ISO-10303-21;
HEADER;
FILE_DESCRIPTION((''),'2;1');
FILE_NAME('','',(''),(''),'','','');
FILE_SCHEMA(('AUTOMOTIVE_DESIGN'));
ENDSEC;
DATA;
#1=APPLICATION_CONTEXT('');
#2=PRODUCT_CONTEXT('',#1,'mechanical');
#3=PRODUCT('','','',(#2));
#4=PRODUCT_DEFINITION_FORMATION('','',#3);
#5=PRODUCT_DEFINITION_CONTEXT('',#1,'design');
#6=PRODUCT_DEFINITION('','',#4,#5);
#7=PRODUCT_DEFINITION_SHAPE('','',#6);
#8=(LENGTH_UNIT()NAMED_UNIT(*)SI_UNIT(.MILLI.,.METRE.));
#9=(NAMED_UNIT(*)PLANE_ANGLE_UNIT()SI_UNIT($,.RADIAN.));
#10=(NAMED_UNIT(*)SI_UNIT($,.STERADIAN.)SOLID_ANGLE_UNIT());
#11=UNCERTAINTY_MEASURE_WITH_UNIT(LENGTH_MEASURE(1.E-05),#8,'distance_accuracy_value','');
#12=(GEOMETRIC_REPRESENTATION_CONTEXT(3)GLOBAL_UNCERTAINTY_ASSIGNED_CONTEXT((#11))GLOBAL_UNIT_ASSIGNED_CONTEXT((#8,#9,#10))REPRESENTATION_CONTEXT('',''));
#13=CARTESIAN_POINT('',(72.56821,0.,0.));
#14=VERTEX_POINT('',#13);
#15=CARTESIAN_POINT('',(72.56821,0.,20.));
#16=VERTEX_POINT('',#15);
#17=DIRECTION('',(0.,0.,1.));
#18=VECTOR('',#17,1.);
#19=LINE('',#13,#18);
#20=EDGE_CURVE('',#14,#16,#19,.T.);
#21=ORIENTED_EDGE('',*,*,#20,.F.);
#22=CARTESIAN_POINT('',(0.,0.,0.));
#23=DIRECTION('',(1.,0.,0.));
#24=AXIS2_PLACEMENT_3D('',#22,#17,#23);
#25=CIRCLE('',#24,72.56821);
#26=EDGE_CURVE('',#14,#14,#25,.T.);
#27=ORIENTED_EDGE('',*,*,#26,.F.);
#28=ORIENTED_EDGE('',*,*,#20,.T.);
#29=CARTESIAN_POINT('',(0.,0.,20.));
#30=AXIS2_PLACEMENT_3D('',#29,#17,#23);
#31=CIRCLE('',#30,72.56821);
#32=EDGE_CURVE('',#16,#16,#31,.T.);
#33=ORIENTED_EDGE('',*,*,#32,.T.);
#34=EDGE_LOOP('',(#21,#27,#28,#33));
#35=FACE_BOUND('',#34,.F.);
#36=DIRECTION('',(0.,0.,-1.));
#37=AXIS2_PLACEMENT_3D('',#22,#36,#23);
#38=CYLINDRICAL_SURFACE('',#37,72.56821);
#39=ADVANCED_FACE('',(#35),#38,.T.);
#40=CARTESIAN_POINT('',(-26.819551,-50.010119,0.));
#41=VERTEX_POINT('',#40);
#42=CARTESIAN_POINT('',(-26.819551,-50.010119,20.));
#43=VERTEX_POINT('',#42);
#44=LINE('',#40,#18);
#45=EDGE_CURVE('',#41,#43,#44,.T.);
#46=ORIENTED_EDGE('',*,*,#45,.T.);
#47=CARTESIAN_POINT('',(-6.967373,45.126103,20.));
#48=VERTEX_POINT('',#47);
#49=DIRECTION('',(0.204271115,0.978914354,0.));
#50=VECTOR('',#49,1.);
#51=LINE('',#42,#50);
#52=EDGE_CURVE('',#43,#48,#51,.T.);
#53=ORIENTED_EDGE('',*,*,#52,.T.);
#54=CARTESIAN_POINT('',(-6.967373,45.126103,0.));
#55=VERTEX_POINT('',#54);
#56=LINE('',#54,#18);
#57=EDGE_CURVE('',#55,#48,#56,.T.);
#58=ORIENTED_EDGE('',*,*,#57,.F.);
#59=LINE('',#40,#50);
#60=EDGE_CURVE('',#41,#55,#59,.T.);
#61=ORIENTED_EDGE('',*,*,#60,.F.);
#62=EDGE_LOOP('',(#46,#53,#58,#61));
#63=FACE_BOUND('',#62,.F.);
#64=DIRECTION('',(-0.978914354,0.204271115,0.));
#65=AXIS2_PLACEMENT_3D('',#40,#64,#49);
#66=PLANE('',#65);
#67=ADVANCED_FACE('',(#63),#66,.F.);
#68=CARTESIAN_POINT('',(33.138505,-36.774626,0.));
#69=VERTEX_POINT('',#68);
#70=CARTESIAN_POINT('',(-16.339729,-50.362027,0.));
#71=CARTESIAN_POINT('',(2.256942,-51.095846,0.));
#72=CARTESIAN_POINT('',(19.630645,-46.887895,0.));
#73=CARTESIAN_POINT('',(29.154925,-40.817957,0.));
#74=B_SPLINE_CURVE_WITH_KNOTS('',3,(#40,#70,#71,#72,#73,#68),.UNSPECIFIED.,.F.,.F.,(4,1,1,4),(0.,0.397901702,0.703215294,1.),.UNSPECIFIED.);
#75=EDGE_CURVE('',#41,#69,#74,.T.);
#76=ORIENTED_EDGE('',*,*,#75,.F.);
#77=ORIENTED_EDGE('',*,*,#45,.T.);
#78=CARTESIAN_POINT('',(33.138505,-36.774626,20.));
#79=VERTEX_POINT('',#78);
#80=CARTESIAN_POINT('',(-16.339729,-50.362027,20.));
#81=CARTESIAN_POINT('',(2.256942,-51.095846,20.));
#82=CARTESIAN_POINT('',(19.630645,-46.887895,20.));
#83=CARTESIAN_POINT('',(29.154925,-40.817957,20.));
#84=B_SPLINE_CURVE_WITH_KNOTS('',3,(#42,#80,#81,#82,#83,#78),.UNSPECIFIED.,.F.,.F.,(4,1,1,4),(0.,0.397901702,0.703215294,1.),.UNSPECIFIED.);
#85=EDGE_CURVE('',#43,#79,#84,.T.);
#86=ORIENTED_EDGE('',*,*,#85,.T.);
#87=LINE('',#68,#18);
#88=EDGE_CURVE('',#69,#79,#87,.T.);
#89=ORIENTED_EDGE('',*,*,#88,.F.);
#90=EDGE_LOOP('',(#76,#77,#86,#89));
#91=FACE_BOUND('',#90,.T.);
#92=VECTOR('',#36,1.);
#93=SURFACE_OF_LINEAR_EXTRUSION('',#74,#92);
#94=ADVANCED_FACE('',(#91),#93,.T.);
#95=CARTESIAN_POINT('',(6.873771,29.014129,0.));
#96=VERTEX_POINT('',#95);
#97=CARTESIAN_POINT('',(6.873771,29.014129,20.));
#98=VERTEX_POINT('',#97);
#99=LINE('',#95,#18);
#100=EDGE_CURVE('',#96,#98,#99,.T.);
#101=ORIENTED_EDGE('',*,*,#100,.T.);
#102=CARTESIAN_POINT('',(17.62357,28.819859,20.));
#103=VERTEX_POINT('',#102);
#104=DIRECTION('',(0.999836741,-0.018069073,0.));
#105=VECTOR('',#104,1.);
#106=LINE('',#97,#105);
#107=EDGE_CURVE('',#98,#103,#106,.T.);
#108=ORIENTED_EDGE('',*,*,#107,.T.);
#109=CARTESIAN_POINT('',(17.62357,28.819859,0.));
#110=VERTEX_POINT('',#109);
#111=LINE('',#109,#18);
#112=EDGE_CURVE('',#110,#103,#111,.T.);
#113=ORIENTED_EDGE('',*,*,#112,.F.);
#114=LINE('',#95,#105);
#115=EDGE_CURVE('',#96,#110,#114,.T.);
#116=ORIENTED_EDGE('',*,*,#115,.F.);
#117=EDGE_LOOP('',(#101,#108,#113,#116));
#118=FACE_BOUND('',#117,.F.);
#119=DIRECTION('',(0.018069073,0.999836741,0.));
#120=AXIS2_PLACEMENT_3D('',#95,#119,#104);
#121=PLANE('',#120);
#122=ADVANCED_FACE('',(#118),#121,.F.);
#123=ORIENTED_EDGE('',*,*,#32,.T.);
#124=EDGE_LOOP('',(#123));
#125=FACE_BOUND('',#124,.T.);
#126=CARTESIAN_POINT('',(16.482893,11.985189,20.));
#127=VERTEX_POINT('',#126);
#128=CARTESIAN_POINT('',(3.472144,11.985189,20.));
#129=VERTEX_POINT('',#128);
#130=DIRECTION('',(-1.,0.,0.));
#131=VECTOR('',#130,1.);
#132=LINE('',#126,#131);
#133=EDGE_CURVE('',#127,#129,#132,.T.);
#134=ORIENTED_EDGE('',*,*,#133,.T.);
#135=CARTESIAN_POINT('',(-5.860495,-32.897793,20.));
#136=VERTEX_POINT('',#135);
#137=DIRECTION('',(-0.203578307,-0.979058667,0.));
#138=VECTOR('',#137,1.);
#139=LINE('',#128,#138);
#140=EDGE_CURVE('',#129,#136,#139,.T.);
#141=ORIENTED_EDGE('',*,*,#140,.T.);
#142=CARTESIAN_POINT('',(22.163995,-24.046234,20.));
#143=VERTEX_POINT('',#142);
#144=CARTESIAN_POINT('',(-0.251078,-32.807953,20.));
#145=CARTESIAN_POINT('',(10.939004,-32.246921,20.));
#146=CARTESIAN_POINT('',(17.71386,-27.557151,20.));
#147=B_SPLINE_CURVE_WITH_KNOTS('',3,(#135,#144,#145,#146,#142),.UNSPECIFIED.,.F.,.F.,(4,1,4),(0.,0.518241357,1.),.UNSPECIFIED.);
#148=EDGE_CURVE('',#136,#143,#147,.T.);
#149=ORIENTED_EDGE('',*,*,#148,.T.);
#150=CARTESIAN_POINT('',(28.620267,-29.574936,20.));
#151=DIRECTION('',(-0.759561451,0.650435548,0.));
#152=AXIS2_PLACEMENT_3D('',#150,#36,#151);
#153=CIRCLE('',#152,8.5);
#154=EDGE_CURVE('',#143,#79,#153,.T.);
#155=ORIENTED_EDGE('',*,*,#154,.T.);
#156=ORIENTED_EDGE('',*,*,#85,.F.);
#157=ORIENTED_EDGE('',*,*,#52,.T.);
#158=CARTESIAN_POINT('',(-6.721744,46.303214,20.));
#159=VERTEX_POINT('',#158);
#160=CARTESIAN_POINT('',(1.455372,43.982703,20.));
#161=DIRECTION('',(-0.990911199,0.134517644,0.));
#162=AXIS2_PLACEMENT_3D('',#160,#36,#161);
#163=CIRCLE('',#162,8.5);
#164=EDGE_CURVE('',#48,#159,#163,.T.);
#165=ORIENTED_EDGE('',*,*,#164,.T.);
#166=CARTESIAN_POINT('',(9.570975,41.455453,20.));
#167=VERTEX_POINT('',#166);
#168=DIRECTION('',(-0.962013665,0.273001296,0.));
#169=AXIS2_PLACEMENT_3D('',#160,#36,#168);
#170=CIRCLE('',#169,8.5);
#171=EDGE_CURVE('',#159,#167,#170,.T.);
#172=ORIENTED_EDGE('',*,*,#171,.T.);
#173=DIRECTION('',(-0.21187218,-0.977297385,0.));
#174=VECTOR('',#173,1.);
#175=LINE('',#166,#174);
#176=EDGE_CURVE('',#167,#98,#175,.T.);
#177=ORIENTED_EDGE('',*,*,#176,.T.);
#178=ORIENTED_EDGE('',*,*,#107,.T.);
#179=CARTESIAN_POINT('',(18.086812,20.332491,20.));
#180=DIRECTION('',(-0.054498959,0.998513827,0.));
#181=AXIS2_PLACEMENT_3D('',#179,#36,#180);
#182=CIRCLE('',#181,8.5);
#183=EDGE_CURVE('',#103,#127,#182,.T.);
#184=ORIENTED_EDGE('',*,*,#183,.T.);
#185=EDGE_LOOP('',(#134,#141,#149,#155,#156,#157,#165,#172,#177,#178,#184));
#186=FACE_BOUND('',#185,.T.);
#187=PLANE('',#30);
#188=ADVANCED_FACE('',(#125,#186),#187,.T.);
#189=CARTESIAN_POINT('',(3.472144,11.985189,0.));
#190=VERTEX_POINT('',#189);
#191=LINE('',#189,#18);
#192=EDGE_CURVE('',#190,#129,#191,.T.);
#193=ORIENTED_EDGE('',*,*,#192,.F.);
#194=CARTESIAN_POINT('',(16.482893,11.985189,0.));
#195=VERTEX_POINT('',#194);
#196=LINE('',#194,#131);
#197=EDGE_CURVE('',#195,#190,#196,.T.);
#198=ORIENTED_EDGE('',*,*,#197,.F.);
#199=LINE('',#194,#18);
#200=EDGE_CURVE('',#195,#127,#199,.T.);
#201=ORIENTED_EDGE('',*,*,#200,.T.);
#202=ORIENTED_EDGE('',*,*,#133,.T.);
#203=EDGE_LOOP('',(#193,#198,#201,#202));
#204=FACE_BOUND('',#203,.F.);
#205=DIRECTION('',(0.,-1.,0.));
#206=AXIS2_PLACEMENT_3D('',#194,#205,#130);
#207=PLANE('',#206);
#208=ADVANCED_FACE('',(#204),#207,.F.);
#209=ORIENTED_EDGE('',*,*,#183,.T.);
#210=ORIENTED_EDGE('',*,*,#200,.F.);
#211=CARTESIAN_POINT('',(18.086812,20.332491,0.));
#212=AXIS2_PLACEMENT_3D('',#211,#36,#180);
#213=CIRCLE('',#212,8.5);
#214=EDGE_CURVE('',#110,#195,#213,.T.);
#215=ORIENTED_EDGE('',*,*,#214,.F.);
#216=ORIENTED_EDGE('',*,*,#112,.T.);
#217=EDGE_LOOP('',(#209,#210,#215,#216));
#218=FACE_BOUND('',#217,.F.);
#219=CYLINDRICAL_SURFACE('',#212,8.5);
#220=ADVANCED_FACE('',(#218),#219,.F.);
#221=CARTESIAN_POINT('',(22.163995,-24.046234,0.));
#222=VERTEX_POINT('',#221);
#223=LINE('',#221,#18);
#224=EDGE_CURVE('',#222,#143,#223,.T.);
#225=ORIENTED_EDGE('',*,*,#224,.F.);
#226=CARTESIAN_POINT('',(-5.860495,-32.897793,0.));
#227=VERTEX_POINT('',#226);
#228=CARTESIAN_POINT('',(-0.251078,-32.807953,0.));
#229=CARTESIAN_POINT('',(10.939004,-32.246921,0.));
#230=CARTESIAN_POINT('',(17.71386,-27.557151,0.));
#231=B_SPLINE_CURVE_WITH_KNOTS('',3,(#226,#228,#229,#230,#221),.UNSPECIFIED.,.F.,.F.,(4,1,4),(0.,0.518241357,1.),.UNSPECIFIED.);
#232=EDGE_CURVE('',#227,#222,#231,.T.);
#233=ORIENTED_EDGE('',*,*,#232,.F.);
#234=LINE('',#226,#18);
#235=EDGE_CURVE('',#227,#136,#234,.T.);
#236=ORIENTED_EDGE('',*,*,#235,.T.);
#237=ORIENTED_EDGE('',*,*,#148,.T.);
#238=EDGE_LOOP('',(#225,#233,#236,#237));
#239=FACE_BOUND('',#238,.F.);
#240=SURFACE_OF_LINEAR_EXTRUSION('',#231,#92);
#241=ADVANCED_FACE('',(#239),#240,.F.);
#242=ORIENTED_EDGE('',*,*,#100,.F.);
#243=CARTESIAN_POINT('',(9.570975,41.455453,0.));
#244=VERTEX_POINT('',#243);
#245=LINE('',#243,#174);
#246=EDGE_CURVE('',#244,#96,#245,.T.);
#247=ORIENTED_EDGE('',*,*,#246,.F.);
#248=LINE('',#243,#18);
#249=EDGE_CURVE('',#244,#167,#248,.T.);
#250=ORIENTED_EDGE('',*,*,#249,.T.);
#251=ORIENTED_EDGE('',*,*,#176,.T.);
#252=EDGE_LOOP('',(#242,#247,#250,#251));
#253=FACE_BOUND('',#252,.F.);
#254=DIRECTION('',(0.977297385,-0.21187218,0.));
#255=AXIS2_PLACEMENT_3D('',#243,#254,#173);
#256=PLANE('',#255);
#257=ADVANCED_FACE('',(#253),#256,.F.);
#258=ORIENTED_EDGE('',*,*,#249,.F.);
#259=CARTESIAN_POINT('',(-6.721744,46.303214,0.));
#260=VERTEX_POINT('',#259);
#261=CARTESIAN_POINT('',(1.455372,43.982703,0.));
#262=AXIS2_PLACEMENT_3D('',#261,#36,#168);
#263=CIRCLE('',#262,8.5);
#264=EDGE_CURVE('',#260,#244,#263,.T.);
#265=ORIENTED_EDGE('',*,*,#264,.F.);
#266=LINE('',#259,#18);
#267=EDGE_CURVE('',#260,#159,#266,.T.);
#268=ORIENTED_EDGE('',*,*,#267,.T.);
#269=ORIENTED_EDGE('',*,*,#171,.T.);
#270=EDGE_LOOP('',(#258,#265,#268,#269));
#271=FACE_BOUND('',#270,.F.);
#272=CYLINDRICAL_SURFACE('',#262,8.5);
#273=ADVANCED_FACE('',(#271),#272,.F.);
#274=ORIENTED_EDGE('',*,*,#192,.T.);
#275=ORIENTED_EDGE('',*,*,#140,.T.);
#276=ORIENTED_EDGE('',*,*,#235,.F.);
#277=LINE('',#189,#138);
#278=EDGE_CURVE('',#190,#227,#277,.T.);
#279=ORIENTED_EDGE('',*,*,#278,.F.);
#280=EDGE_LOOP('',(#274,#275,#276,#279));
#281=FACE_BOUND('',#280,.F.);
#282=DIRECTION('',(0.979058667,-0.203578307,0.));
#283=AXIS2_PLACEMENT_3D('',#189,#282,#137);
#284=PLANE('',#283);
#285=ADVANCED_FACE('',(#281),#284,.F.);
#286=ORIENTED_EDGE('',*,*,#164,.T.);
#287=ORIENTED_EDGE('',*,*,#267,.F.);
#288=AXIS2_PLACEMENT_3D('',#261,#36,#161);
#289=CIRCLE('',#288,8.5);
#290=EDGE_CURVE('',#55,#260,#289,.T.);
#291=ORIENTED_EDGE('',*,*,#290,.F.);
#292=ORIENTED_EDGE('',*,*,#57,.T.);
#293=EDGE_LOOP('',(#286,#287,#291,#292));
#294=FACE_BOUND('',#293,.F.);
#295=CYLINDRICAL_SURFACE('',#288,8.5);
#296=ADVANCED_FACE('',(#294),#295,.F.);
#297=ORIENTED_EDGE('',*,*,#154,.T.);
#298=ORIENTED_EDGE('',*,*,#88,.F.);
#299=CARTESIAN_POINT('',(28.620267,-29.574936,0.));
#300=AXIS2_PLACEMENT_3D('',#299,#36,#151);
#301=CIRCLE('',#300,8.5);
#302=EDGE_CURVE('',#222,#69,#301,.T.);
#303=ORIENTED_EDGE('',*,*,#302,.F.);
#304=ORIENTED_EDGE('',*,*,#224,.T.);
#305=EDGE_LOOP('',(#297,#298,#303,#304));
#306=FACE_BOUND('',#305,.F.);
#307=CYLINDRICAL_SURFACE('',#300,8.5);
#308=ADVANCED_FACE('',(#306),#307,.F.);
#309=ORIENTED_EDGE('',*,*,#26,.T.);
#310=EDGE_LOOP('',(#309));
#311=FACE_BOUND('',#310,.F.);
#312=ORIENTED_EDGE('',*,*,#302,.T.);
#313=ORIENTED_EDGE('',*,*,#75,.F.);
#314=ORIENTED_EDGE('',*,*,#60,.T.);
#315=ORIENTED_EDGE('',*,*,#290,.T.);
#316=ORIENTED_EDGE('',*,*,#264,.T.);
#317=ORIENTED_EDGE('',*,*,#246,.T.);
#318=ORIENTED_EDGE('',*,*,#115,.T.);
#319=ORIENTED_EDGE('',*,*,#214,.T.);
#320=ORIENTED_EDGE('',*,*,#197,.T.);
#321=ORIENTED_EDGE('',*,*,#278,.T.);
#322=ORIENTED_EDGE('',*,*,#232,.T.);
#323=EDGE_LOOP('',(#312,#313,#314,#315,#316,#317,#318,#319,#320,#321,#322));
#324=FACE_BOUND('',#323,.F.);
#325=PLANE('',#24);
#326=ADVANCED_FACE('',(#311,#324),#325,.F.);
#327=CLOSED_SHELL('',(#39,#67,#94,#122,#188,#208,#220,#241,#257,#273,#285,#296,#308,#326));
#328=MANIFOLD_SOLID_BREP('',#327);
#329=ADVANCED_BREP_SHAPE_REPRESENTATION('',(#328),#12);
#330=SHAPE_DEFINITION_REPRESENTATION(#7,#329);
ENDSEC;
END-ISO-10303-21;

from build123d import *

# Parameters (mm, degrees)
F0_R     = 72.5682102396
F1_DEPTH = 20


with BuildPart() as f1:
    # F0 (on Top) → F1 (new body)
    with BuildSketch(Plane.XY):
        Circle(F0_R)
        with BuildLine():
            ThreePointArc((22.1639949501, -24.0462341013), (35.0578120406, -24.024439202), (33.1385050428, -36.7746256645))
            add(Edge.make_bspline(
                [(-26.8195513636, -50.0101186335), (-16.3397293577, -50.3620265328), (2.2569416099, -51.0958463241), (19.6306451708, -46.8878952171), (29.1549246758, -40.8179573715), (33.1385050428, -36.7746256645)],
                knots=[0, 0, 0, 0, 0.3979017019, 0.7032152945, 1, 1, 1, 1], degree=3))
            Line((-26.8195513636, -50.0101186335), (-6.967373221, 45.1261032148))
            ThreePointArc((-6.967373221, 45.1261032148), (-6.8654000382, 45.7190077179), (-6.7217441894, 46.303214254))
            ThreePointArc((-6.7217441894, 46.303214254), (3.8794477521, 52.1297184336), (9.5709745897, 41.4554529416))
            Line((9.5709745897, 41.4554529416), (6.8737706169, 29.0141291916))
            Line((6.8737706169, 29.0141291916), (17.6235703774, 28.8198585581))
            ThreePointArc((17.6235703774, 28.8198585581), (26.5673663066, 19.7578688539), (16.4828933265, 11.9851892814))
            Line((16.4828933265, 11.9851892814), (3.4721444827, 11.9851892814))
            Line((3.4721444827, 11.9851892814), (-5.8604949154, -32.8977927566))
            add(Edge.make_bspline(
                [(-5.8604949154, -32.8977927566), (-0.251077846, -32.8079528339), (10.9390044639, -32.2469206836), (17.7138596773, -27.5571513921), (22.1639949501, -24.0462341013)],
                knots=[0, 0, 0, 0, 0.5182413567, 1, 1, 1, 1], degree=3))
        make_face(mode=Mode.SUBTRACT)
    extrude(amount=F1_DEPTH)


solid = f1.part
